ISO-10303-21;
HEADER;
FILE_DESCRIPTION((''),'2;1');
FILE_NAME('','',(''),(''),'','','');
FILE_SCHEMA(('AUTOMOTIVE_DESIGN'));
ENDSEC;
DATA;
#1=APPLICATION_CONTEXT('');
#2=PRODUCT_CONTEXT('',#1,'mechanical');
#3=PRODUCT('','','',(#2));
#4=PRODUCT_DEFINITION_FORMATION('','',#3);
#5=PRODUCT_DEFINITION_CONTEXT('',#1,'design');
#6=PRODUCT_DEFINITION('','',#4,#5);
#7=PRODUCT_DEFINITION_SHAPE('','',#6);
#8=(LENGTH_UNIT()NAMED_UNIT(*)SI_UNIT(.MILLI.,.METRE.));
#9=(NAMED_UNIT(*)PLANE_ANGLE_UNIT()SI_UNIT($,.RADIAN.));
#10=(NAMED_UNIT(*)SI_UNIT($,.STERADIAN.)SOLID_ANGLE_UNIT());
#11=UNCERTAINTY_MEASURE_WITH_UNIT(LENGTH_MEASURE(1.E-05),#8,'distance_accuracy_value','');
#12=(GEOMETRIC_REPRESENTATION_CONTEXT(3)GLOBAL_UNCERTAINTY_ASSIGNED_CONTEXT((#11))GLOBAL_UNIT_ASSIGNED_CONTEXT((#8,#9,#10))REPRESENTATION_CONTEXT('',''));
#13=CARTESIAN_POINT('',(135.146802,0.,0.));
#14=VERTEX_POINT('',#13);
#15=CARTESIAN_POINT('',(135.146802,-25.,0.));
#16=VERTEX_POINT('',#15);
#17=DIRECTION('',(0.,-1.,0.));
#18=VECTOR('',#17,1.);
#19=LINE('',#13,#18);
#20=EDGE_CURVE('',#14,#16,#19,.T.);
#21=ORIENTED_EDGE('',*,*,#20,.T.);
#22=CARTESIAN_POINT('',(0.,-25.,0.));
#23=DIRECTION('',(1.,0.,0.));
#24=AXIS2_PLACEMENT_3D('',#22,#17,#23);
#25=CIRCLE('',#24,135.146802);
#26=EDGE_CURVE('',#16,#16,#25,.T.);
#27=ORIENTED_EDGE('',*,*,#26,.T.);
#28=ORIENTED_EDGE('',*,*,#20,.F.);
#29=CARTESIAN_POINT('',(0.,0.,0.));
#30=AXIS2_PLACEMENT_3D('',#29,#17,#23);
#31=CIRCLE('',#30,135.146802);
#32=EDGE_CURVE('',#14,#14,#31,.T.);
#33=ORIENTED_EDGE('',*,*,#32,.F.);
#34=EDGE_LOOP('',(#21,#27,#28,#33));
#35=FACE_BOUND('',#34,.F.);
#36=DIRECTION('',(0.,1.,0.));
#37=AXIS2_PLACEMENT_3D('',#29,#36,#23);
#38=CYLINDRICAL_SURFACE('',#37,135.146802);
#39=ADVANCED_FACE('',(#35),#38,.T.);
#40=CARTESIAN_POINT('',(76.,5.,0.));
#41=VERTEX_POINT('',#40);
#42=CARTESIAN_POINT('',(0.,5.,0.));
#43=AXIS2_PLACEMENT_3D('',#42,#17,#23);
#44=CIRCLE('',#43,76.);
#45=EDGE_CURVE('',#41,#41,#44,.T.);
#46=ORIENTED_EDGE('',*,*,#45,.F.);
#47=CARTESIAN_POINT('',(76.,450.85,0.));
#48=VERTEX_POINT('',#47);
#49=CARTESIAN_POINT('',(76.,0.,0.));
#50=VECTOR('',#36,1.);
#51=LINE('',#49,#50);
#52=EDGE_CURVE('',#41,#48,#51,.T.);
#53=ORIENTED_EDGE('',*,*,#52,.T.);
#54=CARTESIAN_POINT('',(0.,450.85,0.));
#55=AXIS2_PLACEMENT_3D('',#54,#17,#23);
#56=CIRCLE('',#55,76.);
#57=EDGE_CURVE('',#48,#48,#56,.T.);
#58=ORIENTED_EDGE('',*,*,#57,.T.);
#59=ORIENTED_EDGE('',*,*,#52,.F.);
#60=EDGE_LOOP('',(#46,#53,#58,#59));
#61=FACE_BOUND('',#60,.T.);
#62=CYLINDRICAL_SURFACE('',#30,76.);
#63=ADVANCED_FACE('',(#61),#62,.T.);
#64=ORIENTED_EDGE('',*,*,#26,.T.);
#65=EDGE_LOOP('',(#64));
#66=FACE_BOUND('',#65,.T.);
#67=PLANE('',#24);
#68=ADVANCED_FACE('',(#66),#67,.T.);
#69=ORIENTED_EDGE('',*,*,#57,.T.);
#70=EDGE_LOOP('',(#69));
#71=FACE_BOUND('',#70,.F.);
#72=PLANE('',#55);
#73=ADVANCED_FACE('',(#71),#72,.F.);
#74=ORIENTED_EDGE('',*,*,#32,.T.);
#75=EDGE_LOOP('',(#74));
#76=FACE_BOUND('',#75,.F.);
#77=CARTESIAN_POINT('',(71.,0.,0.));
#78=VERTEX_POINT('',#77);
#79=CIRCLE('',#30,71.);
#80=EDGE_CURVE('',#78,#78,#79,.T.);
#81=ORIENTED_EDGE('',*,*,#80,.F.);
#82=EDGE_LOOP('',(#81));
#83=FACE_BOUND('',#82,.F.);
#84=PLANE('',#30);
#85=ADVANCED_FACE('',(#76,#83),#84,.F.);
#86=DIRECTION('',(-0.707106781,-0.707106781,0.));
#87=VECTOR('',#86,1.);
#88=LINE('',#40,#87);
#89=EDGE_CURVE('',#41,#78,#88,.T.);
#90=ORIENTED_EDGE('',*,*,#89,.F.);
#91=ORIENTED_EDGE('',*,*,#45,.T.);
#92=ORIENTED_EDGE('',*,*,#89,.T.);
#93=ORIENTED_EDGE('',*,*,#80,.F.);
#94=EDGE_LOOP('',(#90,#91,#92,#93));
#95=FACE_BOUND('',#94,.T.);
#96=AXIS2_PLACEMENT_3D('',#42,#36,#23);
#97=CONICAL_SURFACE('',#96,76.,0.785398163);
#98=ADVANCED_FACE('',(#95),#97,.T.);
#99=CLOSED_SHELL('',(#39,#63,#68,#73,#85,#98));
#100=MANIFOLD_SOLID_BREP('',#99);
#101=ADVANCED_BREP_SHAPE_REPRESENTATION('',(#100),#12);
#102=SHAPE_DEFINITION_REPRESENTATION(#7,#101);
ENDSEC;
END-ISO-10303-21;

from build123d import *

# Parameters (mm, degrees)
F0_R     = 76
F1_DEPTH = 450.85
F2_SIZE  = 5
F3_R     = 135.146802
F4_DEPTH = 25


with BuildPart() as f1:
    # F0 (on Front) → F1 (new body)
    with BuildSketch(Plane.XZ):
        Circle(F0_R)
    extrude(amount=-F1_DEPTH)

    # F2
    f2_edges = [f1.edges().sort_by_distance(p)[0] for p in [
        (-76, 0, 0),
    ]]
    chamfer(f2_edges, length=F2_SIZE)

    # F3 (on Front) → F4 (join)
    with BuildSketch(Plane.XZ):
        Circle(F3_R)
    extrude(amount=F4_DEPTH)


solid = f1.part
